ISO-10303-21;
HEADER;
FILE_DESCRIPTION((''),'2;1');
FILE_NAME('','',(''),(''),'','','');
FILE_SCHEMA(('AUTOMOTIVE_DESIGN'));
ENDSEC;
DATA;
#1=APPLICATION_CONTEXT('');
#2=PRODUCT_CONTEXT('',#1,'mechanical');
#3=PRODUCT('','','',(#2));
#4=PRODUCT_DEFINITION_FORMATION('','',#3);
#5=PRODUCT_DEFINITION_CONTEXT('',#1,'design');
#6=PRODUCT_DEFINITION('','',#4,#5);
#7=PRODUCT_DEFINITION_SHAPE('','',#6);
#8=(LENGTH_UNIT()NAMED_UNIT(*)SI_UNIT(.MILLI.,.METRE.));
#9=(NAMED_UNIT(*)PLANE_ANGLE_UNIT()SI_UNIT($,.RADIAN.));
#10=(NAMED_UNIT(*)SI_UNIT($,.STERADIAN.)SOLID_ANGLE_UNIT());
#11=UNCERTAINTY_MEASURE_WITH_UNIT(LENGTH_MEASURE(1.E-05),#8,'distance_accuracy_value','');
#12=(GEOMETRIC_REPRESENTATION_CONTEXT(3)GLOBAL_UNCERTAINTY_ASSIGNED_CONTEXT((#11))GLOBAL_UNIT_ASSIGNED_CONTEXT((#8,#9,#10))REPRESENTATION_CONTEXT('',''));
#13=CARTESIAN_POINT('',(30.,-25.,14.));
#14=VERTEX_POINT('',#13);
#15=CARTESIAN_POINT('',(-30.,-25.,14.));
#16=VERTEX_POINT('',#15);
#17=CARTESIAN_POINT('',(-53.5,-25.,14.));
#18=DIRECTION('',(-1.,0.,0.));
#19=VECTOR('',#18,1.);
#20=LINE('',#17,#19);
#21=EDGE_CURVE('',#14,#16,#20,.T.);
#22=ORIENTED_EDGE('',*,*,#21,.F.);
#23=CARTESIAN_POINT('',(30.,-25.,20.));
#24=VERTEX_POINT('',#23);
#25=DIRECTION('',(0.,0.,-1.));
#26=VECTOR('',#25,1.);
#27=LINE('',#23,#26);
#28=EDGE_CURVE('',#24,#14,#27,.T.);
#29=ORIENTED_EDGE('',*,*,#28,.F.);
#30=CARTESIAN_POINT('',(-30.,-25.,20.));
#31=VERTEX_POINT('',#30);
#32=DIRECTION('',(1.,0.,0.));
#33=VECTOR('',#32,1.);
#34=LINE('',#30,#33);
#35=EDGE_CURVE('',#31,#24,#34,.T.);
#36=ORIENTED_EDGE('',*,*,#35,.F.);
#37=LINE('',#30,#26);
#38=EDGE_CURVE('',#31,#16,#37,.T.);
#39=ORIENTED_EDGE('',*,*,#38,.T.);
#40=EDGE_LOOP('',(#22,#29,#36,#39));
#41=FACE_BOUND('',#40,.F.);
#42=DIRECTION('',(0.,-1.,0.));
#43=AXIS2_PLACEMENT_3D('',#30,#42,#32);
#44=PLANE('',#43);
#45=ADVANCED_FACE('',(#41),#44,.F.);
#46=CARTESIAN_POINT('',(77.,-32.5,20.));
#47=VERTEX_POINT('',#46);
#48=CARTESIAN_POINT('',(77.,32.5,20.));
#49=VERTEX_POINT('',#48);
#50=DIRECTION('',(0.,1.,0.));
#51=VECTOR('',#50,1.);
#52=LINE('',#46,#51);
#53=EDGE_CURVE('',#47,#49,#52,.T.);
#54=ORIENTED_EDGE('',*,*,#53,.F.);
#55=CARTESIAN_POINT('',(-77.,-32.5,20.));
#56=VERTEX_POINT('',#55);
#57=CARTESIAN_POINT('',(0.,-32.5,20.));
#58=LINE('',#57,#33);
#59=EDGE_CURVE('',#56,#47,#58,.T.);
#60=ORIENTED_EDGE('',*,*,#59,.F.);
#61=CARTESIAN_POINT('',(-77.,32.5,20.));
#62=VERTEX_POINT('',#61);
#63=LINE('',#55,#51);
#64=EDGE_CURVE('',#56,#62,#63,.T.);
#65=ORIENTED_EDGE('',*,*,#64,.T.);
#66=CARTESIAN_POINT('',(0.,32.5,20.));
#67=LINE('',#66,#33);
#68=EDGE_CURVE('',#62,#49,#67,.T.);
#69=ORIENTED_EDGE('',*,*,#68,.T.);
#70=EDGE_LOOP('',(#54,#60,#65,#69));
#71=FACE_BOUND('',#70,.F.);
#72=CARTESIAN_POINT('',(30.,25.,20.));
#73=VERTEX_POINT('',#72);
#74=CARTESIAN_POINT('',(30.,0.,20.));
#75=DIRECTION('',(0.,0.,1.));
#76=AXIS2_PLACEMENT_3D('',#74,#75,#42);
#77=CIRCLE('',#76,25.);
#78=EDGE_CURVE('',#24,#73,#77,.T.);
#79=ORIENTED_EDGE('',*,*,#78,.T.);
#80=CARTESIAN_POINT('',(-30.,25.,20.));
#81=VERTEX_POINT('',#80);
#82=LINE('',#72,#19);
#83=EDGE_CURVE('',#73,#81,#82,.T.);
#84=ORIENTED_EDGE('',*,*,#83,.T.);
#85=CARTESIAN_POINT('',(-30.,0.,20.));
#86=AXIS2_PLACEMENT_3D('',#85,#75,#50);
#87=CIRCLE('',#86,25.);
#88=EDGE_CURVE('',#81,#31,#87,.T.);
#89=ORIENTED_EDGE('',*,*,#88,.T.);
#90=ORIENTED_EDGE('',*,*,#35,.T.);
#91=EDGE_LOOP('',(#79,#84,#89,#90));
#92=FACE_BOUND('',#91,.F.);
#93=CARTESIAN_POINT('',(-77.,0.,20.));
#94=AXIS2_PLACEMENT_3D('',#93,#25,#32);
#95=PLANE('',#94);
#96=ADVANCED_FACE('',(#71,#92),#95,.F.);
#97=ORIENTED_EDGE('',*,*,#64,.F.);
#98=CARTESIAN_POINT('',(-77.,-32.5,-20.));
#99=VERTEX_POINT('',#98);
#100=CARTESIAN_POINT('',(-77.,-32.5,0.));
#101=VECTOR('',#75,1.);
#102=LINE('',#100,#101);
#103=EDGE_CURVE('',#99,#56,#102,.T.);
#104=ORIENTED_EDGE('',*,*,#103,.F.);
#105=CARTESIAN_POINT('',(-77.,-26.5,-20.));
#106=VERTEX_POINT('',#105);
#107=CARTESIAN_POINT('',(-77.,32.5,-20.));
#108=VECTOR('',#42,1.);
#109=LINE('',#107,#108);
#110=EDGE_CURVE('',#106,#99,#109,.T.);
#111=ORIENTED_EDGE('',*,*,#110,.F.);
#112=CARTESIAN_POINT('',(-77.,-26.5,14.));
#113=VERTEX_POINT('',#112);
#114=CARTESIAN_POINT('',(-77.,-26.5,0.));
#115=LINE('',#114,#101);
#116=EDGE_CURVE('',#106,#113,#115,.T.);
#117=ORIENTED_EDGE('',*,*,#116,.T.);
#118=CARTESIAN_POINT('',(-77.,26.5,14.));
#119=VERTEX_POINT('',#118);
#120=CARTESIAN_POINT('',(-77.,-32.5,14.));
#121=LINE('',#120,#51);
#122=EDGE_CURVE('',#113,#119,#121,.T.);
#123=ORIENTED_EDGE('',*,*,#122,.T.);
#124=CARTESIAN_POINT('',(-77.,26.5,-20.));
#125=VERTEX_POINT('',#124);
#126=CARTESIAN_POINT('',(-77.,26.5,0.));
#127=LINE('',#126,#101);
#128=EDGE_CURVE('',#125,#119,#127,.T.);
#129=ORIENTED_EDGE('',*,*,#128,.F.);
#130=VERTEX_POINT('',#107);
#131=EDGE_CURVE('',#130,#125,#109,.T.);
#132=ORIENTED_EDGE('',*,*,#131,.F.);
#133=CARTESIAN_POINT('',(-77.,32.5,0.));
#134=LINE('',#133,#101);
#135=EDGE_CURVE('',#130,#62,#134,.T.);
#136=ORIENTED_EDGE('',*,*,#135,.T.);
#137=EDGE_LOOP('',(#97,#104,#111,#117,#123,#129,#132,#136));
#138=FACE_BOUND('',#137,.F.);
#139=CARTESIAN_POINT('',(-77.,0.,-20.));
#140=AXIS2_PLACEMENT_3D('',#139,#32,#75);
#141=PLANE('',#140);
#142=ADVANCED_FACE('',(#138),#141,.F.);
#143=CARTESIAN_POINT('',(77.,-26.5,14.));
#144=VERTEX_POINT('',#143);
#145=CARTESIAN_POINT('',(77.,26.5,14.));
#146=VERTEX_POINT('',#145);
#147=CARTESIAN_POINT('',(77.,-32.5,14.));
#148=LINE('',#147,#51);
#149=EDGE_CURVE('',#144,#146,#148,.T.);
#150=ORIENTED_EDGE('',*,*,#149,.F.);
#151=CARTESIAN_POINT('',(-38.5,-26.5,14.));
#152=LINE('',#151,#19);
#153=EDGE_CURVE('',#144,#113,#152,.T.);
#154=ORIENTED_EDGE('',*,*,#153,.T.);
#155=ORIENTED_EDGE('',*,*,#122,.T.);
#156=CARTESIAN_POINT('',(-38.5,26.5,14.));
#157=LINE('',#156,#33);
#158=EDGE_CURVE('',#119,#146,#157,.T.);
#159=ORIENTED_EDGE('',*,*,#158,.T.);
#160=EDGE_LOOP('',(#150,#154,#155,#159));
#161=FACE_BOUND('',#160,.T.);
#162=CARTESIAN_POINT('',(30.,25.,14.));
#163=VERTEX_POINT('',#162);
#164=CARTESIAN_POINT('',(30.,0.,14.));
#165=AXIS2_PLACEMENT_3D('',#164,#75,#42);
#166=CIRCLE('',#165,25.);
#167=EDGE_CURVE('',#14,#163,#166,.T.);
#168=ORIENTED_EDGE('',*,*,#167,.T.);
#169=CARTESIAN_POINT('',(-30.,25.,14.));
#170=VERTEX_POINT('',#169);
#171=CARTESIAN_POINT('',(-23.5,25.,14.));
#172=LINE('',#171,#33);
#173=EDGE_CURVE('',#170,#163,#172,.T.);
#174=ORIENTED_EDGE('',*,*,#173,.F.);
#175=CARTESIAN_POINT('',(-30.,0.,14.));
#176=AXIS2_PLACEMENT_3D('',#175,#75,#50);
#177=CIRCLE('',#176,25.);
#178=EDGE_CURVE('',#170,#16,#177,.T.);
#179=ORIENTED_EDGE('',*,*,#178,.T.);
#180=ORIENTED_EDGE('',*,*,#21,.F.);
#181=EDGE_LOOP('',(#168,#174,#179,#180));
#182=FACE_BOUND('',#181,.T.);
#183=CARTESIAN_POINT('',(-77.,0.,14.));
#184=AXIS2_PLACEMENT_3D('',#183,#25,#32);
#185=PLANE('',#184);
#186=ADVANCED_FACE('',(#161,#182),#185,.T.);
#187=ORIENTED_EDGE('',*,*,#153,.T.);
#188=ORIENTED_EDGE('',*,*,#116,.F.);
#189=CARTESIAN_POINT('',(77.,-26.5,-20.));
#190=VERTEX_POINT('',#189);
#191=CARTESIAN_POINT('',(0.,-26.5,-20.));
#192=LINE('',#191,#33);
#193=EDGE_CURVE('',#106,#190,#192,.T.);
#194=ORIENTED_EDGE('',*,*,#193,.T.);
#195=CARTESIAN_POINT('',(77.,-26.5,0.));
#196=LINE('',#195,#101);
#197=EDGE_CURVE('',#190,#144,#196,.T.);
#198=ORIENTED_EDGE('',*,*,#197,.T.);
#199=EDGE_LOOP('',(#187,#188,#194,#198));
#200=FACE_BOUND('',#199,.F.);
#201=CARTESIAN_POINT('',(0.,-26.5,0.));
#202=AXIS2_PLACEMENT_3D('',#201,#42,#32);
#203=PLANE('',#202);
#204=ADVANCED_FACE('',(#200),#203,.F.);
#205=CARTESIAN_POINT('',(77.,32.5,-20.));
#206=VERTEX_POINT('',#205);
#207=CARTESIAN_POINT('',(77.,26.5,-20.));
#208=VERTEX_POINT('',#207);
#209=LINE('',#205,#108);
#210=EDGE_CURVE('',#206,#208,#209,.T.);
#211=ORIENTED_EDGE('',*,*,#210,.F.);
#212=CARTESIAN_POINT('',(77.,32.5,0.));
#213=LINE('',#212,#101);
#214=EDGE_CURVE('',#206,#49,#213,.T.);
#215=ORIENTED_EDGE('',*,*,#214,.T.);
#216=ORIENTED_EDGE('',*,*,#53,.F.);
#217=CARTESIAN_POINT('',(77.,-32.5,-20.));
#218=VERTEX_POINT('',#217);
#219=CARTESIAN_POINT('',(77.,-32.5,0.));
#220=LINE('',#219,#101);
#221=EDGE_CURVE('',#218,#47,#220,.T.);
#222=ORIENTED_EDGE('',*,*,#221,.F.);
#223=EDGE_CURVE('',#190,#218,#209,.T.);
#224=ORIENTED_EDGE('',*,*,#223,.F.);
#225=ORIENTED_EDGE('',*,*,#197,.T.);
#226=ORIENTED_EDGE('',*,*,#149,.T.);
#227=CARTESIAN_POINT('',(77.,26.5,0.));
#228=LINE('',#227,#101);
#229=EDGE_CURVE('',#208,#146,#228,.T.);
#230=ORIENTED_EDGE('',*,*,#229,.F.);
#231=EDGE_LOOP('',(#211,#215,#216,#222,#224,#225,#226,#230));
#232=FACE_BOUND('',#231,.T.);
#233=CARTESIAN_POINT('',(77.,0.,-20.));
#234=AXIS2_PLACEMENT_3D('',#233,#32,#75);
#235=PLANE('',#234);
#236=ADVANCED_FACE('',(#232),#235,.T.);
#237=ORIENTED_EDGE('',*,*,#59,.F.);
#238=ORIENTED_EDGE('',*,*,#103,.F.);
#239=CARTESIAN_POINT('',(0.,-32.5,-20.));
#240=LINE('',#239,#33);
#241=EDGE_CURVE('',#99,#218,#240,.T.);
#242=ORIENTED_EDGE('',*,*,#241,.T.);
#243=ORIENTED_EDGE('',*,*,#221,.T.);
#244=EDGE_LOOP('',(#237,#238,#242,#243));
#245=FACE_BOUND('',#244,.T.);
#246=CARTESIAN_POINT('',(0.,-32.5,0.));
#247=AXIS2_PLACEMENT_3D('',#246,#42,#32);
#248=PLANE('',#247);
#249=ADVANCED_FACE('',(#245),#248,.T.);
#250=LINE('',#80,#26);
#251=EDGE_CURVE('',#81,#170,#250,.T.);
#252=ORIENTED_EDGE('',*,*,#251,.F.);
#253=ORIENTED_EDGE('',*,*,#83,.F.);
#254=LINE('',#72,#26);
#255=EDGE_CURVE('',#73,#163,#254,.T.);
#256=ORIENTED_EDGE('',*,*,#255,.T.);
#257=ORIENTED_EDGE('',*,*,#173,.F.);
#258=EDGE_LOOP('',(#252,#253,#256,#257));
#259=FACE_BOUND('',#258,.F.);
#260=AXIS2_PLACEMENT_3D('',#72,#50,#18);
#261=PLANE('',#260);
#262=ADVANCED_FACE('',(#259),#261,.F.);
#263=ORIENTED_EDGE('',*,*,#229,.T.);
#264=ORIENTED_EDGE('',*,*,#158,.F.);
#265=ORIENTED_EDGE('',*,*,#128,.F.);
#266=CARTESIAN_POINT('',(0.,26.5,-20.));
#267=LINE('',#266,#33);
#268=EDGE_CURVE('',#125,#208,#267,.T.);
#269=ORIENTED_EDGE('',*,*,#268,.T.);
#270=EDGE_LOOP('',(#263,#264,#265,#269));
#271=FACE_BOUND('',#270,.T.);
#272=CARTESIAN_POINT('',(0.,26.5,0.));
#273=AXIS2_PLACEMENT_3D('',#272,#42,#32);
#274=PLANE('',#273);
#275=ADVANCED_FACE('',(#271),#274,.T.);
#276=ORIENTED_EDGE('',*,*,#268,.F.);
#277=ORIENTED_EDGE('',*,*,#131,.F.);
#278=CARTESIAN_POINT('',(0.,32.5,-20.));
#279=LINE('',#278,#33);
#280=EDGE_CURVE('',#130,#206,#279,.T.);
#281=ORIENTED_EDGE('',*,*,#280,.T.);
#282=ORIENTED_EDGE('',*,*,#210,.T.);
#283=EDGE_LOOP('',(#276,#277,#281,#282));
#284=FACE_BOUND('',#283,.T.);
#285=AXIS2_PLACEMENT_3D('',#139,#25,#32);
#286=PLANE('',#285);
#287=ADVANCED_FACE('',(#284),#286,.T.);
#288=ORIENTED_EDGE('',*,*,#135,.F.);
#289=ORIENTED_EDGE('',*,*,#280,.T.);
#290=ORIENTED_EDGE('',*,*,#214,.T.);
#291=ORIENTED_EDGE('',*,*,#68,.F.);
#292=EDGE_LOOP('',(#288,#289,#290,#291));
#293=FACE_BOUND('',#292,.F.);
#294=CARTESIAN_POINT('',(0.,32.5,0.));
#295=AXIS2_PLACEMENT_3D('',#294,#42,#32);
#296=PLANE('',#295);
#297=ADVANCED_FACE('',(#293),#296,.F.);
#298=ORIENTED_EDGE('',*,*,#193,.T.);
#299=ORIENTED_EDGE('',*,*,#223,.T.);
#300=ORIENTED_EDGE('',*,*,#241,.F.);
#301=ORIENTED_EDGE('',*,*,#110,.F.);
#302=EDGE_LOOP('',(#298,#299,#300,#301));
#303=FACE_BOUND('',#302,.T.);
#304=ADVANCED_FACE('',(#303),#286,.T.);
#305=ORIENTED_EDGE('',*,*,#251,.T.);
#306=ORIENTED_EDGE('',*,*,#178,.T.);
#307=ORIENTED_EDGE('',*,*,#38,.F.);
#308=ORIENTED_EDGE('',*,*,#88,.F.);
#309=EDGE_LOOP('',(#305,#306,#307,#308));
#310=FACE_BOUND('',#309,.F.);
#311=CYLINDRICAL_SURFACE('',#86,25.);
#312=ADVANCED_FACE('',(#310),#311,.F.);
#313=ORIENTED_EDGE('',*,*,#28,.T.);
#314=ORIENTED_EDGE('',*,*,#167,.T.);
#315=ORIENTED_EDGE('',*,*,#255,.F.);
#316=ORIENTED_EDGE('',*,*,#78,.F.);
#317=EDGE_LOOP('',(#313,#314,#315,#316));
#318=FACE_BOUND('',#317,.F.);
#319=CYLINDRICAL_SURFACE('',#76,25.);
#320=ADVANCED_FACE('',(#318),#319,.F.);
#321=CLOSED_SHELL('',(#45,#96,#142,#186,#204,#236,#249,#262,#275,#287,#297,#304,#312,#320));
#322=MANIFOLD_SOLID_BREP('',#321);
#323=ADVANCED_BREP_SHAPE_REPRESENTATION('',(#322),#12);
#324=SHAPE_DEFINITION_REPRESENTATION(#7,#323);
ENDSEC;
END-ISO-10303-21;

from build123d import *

# Parameters (mm, degrees)
F0_W     = 154
F0_H     = 40
F1_DEPTH = 32.5
F2_T     = -6
F4_DEPTH = 7


with BuildPart() as f1:
    # F0 (on Front) → F1 (new body, symmetric)
    with BuildSketch(Plane.XZ):
        Rectangle(F0_W, F0_H)
    extrude(amount=F1_DEPTH, both=True)

    # F2
    f2_openings = [f1.faces().sort_by_distance(p)[0] for p in [
        (0, 0, -20),
        (-77, 0, 0),
        (77, 0, 0),
    ]]
    offset(amount=F2_T, openings=f2_openings)

    # F3 (on face) → F4 (cut)
    with BuildSketch(Plane.XY.offset(20)):
        with BuildLine():
            Line((30, 25), (-30, 25))
            ThreePointArc((-30, 25), (-55, 0), (-30, -25))
            Line((-30, -25), (30, -25))
            ThreePointArc((30, -25), (55, 0), (30, 25))
        make_face()
    extrude(amount=-F4_DEPTH, mode=Mode.SUBTRACT)


solid = f1.part
